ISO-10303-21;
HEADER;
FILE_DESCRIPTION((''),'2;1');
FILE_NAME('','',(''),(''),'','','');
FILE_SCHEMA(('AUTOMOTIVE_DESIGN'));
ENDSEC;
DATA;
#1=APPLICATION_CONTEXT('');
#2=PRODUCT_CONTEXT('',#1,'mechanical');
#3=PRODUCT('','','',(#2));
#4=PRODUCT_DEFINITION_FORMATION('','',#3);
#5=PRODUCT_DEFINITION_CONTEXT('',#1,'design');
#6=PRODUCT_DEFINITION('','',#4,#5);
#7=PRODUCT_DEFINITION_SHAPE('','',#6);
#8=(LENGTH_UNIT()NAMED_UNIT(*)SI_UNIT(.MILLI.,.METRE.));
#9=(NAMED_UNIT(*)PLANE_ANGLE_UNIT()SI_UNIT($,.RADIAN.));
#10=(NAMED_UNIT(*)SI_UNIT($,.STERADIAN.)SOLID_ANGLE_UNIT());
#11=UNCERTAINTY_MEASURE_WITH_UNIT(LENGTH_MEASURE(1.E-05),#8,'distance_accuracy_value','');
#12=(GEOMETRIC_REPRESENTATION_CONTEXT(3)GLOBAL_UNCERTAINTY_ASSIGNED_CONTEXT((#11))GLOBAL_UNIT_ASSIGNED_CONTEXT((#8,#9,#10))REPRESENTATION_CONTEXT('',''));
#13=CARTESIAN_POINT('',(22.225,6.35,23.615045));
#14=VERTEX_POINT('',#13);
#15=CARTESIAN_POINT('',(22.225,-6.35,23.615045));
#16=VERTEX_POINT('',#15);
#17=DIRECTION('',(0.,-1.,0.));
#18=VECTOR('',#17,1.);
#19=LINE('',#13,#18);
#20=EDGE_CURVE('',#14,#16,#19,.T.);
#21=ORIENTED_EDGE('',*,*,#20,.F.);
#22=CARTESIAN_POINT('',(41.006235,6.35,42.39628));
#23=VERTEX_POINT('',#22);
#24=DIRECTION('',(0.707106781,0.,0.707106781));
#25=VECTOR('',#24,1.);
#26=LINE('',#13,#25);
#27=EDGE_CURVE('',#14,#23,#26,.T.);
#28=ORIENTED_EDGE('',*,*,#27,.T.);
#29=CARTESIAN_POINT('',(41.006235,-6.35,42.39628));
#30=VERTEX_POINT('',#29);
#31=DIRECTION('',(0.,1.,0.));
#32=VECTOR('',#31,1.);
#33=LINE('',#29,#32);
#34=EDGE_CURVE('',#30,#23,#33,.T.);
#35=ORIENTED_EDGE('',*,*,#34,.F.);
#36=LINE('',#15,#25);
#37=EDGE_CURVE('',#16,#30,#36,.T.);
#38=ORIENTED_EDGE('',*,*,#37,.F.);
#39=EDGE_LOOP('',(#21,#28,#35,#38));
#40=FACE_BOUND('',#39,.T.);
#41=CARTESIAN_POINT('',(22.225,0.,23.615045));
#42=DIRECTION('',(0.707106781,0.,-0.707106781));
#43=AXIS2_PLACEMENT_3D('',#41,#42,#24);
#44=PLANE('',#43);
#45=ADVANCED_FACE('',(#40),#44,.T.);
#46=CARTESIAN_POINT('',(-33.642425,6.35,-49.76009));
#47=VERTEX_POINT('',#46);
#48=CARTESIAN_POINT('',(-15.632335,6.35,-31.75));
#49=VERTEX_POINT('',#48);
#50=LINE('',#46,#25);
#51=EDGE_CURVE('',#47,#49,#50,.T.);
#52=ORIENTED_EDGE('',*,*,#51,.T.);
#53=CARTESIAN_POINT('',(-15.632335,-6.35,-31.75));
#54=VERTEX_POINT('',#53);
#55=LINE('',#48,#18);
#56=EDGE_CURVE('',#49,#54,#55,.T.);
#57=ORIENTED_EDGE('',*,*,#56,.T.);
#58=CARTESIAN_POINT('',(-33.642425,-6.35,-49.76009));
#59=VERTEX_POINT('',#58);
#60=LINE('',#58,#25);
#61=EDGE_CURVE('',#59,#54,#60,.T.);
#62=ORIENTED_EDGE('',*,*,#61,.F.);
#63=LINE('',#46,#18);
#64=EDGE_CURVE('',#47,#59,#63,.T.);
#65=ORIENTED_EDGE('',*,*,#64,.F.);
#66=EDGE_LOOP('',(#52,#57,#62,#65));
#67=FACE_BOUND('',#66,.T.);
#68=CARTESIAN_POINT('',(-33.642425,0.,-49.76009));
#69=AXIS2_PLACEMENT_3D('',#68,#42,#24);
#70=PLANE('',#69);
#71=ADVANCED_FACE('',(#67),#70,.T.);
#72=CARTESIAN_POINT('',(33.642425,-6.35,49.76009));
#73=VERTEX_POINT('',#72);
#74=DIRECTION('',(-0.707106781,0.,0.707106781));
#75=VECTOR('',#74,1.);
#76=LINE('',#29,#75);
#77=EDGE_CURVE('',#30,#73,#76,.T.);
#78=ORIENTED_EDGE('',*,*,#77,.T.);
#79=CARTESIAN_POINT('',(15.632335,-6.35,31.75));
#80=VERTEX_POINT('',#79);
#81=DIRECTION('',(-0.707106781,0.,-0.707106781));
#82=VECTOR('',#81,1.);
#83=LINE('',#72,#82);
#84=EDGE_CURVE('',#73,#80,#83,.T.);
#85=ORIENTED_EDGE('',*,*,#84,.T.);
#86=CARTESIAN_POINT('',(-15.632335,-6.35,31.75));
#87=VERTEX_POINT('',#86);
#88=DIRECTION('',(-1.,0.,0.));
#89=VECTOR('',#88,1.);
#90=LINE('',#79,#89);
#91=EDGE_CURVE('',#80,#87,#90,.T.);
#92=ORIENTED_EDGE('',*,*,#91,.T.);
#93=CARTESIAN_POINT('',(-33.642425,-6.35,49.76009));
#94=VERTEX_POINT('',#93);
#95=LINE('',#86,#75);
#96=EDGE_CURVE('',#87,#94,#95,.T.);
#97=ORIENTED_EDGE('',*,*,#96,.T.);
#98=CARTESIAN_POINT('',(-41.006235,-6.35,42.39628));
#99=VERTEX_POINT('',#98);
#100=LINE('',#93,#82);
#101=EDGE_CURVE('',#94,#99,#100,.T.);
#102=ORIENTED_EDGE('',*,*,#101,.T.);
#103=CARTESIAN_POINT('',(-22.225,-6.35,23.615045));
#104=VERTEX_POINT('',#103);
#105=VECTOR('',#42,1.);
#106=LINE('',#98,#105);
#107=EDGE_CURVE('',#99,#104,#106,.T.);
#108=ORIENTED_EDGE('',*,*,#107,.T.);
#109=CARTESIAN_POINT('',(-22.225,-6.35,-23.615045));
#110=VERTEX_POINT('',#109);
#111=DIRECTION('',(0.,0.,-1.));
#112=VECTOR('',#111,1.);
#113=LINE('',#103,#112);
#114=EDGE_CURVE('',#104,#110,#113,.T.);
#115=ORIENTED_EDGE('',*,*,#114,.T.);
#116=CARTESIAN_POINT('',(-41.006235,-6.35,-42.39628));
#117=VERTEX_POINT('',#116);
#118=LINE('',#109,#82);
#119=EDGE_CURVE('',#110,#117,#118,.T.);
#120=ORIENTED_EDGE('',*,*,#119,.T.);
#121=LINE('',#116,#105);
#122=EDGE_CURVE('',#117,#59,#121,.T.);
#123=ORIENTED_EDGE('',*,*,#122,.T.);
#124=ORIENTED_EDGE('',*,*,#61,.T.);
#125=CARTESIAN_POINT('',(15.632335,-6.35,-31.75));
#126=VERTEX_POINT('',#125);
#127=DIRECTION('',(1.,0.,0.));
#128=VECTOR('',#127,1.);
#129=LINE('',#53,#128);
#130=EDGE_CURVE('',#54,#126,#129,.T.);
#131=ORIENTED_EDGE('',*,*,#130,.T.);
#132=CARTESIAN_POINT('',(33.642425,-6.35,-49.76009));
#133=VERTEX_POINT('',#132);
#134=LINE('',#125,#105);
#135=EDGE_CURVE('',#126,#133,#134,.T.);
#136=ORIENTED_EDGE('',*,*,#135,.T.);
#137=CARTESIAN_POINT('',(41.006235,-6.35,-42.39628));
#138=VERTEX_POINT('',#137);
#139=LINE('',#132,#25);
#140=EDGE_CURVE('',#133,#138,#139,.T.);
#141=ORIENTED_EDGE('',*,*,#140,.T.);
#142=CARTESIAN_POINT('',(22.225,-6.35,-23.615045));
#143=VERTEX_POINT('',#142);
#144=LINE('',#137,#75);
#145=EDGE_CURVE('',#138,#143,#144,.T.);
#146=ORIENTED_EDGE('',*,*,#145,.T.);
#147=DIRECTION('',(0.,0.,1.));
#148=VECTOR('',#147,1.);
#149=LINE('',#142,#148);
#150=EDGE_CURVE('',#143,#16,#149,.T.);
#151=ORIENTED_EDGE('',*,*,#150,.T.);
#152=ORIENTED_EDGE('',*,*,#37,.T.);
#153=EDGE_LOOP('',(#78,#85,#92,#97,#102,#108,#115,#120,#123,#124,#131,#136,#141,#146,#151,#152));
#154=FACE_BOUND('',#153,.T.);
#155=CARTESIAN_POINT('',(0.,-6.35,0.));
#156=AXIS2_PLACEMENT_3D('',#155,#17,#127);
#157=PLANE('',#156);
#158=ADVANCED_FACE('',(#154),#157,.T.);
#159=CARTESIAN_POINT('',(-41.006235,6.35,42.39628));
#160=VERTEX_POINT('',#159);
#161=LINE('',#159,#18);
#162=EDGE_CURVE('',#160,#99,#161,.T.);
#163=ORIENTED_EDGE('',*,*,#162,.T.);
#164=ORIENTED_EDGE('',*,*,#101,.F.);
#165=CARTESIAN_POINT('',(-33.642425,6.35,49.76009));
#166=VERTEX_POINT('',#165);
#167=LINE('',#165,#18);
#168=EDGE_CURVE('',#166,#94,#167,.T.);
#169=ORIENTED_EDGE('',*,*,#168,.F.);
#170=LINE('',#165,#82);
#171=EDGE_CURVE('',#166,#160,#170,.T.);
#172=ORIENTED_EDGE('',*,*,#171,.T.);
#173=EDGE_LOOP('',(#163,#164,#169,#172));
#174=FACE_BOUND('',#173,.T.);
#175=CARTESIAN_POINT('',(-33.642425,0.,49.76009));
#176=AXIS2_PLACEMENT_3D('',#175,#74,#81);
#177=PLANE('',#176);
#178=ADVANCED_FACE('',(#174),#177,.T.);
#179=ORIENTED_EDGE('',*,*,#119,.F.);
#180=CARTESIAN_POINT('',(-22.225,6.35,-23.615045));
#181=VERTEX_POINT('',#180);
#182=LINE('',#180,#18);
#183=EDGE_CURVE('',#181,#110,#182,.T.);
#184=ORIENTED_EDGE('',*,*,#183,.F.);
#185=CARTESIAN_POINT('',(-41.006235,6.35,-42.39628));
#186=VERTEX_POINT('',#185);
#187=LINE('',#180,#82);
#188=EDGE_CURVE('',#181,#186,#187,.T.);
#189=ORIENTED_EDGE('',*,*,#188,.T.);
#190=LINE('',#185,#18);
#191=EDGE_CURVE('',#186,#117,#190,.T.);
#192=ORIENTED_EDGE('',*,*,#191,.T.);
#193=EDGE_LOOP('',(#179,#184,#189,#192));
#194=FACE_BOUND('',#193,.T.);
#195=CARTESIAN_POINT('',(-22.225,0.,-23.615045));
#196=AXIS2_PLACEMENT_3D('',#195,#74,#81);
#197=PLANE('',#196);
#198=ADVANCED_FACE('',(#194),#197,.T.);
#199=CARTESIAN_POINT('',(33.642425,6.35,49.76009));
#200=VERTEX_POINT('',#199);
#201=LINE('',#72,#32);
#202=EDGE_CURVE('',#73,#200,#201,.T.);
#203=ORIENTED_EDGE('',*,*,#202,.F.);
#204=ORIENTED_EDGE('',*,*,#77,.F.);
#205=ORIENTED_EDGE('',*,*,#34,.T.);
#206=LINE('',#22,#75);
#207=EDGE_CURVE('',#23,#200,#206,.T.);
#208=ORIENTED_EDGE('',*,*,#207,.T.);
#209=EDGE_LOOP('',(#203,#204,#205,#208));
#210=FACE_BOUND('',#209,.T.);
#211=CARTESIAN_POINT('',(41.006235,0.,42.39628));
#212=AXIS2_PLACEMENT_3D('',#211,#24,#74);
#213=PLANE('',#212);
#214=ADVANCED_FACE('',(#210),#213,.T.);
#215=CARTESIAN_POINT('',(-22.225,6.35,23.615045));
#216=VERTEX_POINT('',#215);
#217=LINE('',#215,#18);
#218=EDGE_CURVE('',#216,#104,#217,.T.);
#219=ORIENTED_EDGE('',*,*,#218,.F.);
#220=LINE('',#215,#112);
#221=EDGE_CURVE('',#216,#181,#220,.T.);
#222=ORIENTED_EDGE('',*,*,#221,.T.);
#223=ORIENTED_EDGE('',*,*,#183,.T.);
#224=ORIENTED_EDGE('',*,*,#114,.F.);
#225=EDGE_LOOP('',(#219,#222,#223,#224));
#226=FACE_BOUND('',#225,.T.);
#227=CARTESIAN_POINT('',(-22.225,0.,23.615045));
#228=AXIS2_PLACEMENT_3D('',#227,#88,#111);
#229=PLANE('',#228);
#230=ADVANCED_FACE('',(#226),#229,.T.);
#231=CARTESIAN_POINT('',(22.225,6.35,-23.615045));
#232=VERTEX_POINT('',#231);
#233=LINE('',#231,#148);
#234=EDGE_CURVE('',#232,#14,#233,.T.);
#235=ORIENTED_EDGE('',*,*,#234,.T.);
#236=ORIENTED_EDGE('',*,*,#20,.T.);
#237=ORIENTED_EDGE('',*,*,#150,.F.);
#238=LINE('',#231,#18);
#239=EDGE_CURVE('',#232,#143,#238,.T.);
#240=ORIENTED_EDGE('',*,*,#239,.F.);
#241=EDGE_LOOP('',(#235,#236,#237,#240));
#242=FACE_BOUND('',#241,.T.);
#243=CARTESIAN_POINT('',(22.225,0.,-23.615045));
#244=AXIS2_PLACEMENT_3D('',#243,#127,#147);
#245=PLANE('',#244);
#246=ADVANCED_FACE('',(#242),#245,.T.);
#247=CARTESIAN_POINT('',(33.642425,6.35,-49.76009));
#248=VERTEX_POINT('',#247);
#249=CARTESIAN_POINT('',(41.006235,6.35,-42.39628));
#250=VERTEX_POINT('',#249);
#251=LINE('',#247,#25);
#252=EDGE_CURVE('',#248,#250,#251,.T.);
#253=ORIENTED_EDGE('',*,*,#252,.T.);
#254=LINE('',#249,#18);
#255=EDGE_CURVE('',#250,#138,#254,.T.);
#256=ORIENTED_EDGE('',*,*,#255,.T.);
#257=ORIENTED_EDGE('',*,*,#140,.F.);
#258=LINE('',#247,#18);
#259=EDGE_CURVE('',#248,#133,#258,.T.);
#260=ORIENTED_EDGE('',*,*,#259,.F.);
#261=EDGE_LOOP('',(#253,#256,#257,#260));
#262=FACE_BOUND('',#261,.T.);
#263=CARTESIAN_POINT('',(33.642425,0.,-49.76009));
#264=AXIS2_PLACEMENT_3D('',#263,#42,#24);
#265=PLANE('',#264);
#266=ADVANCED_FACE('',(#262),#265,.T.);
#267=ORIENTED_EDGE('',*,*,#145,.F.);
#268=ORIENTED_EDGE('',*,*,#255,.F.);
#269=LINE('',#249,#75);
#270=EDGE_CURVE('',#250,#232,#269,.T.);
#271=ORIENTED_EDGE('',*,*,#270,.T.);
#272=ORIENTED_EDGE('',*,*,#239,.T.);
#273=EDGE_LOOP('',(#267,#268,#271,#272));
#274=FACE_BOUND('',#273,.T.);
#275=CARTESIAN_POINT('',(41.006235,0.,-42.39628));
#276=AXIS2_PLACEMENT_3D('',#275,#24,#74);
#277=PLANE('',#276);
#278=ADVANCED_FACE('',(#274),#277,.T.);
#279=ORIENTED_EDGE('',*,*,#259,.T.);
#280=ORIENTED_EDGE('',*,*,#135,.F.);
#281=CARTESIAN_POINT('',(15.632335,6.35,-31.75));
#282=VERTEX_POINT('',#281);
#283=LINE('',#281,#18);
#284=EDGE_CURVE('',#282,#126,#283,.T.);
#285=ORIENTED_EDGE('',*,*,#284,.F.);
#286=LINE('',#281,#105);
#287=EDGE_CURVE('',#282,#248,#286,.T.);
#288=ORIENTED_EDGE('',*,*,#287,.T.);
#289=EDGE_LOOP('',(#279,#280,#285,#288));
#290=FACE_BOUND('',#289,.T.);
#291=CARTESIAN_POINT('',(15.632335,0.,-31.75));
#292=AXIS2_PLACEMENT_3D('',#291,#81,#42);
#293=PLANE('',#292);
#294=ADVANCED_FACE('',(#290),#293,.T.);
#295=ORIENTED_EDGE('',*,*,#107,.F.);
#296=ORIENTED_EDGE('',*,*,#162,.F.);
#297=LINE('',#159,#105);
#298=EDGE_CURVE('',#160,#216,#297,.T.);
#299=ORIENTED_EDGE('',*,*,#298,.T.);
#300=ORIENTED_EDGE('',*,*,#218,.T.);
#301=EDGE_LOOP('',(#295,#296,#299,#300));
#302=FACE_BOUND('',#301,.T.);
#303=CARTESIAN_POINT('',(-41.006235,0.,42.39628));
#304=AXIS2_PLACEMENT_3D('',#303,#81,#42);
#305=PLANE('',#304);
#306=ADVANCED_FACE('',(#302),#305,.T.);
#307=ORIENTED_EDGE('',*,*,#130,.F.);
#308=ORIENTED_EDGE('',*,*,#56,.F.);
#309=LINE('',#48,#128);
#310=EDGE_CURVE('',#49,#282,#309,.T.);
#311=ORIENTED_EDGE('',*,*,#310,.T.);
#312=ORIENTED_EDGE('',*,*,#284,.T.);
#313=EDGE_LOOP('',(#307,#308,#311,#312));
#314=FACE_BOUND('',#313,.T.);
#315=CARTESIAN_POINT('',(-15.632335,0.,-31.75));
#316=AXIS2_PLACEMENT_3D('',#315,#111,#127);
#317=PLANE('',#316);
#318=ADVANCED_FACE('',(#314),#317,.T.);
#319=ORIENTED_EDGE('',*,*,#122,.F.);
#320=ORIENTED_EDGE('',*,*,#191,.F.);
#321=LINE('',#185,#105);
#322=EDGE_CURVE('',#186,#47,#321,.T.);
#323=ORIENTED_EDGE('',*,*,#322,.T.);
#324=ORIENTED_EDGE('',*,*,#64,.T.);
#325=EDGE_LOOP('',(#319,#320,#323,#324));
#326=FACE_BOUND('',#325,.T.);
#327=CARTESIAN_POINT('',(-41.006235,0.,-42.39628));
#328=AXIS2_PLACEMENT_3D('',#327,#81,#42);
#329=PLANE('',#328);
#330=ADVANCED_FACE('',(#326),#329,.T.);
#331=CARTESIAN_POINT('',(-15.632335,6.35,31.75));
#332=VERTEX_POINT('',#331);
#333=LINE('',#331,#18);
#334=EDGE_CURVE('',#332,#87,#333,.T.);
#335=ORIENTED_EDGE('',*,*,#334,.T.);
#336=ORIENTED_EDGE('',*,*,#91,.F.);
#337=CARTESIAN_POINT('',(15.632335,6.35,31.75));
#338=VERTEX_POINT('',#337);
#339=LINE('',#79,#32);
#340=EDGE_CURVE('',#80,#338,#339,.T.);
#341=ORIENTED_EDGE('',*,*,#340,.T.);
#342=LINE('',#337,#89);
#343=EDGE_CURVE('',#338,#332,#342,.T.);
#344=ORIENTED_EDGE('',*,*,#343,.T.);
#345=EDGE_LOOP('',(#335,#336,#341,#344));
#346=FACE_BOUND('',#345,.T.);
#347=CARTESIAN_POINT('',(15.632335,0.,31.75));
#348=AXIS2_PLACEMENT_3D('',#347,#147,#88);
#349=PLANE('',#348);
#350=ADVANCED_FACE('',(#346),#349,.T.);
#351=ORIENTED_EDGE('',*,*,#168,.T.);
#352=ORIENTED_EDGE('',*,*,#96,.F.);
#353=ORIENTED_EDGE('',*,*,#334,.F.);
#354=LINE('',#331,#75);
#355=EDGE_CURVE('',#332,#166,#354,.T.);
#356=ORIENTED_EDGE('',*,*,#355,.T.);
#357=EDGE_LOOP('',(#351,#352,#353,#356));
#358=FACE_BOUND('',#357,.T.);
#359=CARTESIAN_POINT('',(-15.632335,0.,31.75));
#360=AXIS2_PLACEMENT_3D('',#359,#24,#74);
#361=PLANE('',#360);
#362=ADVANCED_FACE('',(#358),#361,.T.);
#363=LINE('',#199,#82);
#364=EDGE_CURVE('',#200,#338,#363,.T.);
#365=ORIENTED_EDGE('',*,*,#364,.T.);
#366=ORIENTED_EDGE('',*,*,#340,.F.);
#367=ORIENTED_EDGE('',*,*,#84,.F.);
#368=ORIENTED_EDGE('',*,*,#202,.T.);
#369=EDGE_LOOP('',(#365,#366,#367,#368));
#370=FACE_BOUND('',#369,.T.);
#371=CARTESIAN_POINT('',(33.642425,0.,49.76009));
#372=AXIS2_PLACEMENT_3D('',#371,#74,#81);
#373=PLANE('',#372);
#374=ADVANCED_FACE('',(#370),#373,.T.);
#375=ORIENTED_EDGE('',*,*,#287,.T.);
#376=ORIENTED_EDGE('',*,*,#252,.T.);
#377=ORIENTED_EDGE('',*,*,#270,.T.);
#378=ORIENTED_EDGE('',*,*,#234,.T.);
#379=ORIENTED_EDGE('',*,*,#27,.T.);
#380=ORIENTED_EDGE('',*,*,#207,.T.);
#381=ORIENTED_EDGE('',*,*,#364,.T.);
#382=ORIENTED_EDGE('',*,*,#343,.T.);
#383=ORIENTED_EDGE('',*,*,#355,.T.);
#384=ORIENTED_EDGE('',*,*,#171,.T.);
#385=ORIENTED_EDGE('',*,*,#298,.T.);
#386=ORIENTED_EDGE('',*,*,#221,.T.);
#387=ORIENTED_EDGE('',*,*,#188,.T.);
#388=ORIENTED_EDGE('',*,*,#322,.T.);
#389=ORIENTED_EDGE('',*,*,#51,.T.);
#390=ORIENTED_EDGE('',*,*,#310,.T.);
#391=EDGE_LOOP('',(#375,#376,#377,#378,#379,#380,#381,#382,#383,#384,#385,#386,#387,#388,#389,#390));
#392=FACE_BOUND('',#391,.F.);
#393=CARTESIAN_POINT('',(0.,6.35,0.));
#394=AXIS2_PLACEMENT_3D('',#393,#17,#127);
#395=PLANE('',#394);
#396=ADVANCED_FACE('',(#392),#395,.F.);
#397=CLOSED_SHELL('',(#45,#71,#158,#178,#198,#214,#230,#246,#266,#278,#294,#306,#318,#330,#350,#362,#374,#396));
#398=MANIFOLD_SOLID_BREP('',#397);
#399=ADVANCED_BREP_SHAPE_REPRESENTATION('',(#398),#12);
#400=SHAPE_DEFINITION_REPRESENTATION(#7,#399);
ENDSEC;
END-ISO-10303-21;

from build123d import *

# Parameters (mm, degrees)
F1_DEPTH = 6.35


with BuildPart() as f1:
    # F0 (on Front) → F1 (new body, symmetric)
    with BuildSketch(Plane.XZ):
        Polygon((12.08981, 28.207475), (15.632335, 31.75), (-15.632335, 31.75), (-12.08981, 28.207475), (-19.45362, 20.843665), (-22.225, 23.615045), (-22.225, -23.615045), (-19.45362, -20.843665), (-12.08981, -28.207475), (-15.632335, -31.75), (15.632335, -31.75), (12.08981, -28.207475), (19.45362, -20.843665), (22.225, -23.615045), (22.225, 23.615045), (19.45362, 20.843665), align=None)
        Polygon((-22.225, 31.75), (-15.632335, 31.75), (-33.642425, 49.76009), (-41.006235, 42.39628), (-22.225, 23.615045), align=None)
        Polygon((41.006235, -42.39628), (22.225, -23.615045), (22.225, -31.75), (15.632335, -31.75), (33.642425, -49.76009), align=None)
        Polygon((-22.225, -31.75), (-22.225, -23.615045), (-41.006235, -42.39628), (-33.642425, -49.76009), (-15.632335, -31.75), align=None)
        Polygon((15.632335, 31.75), (22.225, 31.75), (22.225, 23.615045), (41.006235, 42.39628), (33.642425, 49.76009), align=None)
        Polygon((22.225, -31.75), (22.225, -23.615045), (19.45362, -20.843665), (12.08981, -28.207475), (15.632335, -31.75), align=None)
        Polygon((-19.45362, -20.843665), (-22.225, -23.615045), (-22.225, -31.75), (-15.632335, -31.75), (-12.08981, -28.207475), align=None)
        Polygon((-12.08981, 28.207475), (-15.632335, 31.75), (-22.225, 31.75), (-22.225, 23.615045), (-19.45362, 20.843665), align=None)
        Polygon((22.225, 23.615045), (22.225, 31.75), (15.632335, 31.75), (12.08981, 28.207475), (19.45362, 20.843665), align=None)
    extrude(amount=F1_DEPTH, both=True)


solid = f1.part
